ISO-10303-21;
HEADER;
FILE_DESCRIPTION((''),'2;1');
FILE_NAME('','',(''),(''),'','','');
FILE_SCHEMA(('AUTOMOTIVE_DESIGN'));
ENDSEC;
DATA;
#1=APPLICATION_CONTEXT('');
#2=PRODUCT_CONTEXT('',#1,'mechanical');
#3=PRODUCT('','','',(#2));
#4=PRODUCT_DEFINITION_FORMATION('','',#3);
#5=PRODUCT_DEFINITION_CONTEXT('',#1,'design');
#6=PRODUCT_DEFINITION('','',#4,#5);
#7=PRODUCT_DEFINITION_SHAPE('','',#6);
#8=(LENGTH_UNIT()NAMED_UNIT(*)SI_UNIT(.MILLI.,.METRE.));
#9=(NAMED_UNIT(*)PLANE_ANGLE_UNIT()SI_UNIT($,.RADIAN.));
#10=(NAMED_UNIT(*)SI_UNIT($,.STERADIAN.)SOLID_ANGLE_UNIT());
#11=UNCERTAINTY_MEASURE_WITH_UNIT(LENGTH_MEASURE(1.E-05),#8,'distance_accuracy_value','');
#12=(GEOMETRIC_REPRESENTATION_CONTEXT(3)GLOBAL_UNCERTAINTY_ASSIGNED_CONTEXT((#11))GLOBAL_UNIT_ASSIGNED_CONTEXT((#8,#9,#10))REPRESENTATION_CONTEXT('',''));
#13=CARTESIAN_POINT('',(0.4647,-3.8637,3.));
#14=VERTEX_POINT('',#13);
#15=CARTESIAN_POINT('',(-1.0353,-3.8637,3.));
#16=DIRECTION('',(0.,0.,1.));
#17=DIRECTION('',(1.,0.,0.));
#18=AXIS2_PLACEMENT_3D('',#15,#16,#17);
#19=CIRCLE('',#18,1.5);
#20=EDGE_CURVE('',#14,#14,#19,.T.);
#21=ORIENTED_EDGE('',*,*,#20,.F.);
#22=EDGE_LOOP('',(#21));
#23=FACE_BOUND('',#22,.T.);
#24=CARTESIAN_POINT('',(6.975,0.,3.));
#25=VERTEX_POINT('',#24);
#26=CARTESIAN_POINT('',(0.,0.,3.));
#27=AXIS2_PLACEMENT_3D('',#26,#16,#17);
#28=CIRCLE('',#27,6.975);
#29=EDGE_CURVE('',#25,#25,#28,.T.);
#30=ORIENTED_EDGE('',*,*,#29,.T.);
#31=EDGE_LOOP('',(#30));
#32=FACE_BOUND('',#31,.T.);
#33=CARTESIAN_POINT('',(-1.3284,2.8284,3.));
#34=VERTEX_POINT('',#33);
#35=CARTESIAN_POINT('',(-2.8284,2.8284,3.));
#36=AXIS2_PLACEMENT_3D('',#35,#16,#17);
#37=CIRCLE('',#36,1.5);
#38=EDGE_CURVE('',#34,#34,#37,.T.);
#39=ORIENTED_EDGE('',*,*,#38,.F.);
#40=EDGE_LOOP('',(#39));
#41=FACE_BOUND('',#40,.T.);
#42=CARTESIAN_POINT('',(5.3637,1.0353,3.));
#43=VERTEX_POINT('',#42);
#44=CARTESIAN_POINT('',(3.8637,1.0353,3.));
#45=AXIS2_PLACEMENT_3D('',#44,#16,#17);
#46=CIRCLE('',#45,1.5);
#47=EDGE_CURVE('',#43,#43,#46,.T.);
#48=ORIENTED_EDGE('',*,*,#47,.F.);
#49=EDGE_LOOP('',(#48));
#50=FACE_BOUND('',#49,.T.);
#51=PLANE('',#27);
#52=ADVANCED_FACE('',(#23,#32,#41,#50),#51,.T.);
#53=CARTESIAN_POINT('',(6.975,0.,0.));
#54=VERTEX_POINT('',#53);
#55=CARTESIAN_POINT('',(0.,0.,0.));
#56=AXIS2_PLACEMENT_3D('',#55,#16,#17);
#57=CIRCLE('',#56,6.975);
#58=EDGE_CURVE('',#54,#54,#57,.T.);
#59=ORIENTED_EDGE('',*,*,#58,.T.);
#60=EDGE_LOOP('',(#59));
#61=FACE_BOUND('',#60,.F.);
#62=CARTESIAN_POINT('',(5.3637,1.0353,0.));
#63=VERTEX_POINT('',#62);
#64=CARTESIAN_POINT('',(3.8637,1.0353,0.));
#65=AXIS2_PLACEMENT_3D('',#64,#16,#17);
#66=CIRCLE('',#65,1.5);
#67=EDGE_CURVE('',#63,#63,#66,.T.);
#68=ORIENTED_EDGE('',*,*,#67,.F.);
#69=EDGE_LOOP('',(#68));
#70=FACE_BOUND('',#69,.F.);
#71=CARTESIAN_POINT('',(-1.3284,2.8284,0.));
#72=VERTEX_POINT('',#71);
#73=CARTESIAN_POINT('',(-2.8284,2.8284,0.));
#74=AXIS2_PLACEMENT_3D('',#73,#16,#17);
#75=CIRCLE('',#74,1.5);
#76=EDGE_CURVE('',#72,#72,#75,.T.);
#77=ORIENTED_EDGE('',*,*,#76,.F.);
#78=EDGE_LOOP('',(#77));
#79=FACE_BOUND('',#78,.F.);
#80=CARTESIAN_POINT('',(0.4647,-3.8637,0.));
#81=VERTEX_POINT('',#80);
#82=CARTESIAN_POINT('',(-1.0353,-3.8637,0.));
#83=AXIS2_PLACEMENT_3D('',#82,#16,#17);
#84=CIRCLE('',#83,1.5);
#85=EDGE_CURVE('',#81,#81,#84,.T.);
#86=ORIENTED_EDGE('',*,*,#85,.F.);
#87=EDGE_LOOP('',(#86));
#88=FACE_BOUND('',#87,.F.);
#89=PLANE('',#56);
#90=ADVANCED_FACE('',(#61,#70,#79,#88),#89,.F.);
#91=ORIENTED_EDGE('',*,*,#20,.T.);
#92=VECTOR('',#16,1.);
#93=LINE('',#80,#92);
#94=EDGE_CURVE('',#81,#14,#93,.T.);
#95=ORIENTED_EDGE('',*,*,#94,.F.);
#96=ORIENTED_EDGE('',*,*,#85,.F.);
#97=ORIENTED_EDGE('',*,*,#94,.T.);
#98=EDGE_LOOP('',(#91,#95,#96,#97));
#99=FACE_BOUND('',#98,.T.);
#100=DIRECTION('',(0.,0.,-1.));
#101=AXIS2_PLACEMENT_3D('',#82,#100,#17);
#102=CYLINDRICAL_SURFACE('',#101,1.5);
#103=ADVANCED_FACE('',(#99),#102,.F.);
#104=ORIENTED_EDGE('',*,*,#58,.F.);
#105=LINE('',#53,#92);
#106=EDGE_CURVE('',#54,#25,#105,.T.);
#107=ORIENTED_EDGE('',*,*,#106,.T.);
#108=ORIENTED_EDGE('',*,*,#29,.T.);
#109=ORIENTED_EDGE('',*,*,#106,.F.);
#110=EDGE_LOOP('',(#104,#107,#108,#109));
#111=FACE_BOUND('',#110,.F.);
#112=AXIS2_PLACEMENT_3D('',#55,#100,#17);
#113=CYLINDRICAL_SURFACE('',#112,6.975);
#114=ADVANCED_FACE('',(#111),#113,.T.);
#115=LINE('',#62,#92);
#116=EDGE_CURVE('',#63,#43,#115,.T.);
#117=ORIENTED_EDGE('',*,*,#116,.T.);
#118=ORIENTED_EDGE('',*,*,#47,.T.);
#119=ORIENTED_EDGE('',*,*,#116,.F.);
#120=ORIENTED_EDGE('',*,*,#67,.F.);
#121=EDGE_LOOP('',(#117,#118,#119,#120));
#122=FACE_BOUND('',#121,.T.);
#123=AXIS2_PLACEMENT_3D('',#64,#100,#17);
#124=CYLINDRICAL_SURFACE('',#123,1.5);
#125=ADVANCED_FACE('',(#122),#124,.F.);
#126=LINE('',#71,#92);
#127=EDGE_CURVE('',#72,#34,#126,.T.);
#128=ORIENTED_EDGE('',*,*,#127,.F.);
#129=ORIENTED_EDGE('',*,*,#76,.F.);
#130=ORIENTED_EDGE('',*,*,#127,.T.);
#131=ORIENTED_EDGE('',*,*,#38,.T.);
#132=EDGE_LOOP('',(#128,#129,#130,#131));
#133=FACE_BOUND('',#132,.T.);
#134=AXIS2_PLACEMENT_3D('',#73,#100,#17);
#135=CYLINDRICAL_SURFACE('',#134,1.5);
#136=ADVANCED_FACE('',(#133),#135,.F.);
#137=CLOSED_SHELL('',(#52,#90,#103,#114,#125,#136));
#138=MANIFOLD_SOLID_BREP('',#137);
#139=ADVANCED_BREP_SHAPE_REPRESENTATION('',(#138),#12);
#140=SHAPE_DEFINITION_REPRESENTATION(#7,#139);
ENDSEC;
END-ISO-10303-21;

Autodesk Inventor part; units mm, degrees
ref_plane "YZ Plane" through (0, 0, 0) normal (1, 0, 0) x (0, 1, 0)
ref_plane "XZ Plane" through (0, 0, 0) normal (0, 1, 0) x (-1, 0, 0)
ref_plane "XY Plane" through (0, 0, 0) normal (0, 0, 1) x (1, 0, 0)
sketch "スケッチ1" plane through (0, 0, 0) normal (0, 0, 1) x (1, 0, 0)
  circle A0 centre (0, 0) radius 6.975
  circle A1 centre (-2.8284, 2.8284) radius 1.5
  circle A2 centre (-1.0353, -3.8637) radius 1.5
  circle A3 centre (3.8637, 1.0353) radius 1.5
  dimension "d0" = 13.95
  dimension "d1" = 3
  dimension "d2" = 4
  dimension "d5" = 360
extrude "押し出し1" add sketch "スケッチ1" along normal blind 3
properties part number "アームカムD14" material "アセタール樹脂、白"
